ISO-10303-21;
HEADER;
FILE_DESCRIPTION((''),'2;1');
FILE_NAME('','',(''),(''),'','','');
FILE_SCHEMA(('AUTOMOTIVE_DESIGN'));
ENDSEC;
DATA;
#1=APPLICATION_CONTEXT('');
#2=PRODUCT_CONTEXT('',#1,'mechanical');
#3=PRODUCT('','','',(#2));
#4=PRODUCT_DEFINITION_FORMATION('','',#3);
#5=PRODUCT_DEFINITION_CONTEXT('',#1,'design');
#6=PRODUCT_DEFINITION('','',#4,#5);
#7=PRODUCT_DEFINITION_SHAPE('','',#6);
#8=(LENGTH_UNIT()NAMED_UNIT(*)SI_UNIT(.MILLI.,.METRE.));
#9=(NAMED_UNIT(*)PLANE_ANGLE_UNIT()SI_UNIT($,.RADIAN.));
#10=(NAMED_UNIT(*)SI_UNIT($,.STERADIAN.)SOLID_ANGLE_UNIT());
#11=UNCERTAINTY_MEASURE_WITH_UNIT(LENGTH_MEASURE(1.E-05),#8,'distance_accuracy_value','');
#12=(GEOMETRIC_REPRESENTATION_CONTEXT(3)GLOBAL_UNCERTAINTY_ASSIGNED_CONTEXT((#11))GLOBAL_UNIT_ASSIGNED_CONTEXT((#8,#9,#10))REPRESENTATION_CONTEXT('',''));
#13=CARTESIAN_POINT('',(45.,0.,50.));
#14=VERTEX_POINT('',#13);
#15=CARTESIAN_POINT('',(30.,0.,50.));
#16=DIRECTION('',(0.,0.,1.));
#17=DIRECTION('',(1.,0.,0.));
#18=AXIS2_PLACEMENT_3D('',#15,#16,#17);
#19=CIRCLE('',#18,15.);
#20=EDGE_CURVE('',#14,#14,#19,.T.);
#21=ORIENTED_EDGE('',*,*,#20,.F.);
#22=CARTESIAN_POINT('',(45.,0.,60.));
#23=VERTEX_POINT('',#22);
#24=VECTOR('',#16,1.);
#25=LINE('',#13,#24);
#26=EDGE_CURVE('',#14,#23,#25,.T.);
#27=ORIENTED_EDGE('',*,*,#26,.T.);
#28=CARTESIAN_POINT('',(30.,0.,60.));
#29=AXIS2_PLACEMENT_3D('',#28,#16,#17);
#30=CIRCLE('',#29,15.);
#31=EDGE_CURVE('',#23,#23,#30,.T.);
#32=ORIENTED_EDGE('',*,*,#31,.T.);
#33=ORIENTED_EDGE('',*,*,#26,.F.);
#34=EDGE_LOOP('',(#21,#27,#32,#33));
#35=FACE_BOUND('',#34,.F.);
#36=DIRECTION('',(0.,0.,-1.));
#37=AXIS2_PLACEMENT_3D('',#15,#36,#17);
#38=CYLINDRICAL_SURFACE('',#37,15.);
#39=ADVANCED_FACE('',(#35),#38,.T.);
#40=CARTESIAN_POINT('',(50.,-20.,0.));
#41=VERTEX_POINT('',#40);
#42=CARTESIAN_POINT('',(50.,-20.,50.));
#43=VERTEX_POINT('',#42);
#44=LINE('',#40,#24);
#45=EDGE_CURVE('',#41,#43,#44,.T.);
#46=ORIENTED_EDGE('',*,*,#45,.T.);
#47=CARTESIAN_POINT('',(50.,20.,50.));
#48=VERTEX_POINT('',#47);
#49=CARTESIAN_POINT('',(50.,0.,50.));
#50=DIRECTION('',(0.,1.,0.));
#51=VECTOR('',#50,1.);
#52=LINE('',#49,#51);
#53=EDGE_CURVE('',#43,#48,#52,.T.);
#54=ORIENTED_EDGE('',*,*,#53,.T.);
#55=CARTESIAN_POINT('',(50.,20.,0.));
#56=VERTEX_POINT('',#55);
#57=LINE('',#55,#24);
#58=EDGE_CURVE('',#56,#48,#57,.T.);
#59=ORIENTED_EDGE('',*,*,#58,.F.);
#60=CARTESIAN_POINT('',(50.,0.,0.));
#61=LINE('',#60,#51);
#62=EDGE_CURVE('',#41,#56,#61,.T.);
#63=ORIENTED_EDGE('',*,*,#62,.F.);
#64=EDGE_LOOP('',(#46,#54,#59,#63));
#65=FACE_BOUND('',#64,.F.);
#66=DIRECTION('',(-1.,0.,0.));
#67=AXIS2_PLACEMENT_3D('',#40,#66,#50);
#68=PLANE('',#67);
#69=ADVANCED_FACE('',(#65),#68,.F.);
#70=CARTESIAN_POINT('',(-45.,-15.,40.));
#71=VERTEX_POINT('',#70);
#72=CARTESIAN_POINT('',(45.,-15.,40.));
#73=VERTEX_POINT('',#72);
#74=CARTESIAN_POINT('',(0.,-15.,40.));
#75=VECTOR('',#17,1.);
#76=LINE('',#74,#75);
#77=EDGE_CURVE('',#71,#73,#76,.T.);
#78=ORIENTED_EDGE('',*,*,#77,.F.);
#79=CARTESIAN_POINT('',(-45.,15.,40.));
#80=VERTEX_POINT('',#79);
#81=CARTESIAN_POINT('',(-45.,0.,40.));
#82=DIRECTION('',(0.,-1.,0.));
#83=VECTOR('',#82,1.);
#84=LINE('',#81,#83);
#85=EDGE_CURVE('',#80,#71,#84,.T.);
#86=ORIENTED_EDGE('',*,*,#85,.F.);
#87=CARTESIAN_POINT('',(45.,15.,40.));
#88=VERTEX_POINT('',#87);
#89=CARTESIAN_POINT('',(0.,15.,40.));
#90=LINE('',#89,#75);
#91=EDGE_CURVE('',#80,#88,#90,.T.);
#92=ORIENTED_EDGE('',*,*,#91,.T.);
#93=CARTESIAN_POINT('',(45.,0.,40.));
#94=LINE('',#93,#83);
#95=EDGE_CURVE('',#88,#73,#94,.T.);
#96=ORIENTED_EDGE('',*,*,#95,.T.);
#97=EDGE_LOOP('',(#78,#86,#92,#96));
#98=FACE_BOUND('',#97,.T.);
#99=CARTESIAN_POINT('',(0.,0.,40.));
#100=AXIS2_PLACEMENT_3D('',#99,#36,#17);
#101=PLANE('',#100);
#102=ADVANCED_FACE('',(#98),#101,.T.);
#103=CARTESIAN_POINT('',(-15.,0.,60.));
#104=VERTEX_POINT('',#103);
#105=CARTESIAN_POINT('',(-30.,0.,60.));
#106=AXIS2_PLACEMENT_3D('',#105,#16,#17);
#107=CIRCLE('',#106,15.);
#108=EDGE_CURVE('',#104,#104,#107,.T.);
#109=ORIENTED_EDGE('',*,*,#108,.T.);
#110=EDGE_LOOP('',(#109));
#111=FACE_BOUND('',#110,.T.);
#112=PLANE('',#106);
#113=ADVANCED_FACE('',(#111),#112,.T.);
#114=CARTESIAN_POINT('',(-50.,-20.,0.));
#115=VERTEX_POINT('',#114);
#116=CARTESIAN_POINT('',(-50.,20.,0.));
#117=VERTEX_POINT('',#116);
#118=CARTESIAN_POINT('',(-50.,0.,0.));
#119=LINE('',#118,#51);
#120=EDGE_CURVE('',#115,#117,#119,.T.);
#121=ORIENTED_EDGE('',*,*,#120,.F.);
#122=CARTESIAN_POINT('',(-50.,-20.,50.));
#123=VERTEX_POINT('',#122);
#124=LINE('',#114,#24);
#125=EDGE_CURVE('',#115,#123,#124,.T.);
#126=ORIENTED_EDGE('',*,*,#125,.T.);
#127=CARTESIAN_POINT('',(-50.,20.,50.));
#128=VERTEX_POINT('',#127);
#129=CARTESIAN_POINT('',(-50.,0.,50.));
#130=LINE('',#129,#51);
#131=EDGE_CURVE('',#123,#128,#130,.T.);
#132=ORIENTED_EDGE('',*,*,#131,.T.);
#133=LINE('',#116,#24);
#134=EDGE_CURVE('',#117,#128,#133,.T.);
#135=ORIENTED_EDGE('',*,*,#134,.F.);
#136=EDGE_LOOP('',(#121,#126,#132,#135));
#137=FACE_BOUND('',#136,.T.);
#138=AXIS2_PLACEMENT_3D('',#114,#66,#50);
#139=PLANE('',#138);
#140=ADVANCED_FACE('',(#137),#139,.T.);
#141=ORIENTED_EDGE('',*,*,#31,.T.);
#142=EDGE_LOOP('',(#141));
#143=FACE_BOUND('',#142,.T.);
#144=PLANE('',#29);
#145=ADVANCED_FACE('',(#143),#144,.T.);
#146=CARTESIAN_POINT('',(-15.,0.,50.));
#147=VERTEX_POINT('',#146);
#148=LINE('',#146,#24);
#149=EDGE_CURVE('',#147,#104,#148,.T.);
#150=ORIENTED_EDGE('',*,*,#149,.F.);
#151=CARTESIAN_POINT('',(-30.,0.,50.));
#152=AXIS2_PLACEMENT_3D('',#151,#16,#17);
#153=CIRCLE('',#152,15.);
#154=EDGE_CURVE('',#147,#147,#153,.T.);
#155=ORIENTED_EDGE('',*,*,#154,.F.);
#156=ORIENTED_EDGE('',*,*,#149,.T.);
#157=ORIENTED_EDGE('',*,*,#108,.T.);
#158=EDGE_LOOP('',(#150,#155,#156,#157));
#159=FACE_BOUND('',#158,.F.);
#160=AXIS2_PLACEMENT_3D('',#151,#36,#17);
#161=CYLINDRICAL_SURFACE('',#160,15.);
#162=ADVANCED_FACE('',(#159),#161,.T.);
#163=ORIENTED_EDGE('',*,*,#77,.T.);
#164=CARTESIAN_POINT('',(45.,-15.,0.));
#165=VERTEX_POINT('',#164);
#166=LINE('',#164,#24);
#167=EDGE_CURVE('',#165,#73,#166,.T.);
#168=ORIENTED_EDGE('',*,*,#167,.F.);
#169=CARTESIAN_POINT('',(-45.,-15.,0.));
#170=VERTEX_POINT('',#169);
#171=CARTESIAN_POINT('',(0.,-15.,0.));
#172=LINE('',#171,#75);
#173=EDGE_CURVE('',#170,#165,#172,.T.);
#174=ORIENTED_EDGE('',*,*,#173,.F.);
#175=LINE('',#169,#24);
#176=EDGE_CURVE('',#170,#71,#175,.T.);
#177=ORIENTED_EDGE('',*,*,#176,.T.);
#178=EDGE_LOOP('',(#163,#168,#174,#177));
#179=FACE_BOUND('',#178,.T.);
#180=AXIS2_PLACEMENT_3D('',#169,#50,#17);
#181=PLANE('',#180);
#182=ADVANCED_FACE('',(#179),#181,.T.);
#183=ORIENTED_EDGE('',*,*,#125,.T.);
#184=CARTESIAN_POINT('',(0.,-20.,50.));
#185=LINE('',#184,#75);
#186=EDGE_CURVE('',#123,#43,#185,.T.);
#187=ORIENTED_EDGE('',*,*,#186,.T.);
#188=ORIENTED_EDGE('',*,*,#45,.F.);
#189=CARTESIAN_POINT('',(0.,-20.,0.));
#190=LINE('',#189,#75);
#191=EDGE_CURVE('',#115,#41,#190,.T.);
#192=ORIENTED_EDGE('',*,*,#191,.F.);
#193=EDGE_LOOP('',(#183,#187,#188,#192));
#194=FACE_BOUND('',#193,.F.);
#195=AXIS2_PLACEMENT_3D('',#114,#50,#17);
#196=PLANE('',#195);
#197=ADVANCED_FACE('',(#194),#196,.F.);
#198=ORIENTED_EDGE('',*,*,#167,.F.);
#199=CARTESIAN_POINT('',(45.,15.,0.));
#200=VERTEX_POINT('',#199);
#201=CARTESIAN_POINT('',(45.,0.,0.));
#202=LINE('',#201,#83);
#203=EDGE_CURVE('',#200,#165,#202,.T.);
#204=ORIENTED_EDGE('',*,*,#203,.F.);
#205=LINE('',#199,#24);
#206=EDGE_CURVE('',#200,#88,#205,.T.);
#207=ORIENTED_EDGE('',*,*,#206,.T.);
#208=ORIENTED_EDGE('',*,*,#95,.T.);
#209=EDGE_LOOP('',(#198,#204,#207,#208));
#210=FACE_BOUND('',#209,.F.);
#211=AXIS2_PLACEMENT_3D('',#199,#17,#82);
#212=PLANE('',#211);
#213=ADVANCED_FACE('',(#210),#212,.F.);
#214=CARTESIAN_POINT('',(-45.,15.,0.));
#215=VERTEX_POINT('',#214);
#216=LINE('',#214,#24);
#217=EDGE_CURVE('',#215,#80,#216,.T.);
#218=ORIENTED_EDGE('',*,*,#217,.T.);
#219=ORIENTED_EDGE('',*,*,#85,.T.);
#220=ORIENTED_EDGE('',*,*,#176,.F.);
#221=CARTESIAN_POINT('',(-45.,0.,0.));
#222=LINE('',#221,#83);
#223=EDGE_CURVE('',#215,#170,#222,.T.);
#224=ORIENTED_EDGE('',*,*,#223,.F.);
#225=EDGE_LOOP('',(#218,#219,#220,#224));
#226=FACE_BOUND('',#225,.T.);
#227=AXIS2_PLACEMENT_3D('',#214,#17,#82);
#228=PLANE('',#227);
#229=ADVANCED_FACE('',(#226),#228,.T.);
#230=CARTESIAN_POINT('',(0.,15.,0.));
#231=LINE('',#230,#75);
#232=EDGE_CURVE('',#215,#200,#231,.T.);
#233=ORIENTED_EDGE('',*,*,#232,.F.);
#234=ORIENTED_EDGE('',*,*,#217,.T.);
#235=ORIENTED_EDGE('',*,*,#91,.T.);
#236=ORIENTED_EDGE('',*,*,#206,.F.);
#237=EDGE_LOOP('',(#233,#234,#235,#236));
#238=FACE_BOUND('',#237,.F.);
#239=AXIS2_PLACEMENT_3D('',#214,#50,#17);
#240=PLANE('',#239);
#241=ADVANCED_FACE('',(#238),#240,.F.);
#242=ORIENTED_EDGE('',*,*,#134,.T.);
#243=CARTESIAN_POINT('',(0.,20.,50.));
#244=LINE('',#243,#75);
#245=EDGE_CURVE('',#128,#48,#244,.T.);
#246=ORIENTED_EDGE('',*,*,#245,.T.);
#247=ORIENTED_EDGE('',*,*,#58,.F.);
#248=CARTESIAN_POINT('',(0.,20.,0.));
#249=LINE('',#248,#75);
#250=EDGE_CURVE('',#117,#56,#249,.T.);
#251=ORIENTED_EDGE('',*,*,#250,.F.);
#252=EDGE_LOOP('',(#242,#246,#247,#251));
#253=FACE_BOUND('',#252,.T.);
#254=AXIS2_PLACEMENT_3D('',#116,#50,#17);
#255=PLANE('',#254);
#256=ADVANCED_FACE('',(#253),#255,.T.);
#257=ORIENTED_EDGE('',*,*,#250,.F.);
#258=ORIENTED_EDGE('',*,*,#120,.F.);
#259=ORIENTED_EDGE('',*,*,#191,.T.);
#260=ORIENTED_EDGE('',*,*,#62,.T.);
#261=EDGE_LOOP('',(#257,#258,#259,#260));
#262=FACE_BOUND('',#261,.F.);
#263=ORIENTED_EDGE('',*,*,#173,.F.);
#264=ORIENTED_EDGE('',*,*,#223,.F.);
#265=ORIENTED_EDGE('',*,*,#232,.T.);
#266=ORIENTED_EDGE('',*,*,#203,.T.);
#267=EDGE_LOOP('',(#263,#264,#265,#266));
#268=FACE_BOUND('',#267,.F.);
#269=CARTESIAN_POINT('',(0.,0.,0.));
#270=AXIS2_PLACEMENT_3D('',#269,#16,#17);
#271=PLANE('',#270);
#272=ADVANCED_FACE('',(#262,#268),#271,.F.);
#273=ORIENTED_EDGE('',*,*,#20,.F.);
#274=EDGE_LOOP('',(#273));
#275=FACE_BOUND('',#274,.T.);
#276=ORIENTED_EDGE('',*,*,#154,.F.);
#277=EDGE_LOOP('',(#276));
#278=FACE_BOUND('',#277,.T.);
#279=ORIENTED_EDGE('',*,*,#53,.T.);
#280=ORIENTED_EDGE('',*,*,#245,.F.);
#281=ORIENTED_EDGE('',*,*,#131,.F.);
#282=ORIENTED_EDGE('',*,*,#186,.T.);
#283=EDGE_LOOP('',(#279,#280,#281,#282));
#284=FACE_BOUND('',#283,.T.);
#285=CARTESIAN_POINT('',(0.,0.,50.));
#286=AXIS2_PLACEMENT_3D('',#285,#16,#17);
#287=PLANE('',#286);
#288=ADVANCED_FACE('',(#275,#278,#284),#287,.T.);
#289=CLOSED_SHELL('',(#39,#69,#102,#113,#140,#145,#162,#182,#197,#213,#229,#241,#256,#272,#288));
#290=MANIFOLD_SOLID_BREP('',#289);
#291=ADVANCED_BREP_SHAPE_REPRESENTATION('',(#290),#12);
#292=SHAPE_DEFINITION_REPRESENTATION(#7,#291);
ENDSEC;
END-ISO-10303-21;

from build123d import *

# Parameters (mm, degrees)
F0_W     = 100
F0_H     = 40
F1_DEPTH = 50
F2_R     = 15
F3_DEPTH = 10
F4_W     = 90
F4_H     = 30
F5_DEPTH = 40


with BuildPart() as f1:
    # F0 (on Top) → F1 (new body)
    with BuildSketch(Plane.XY):
        Rectangle(F0_W, F0_H)
    extrude(amount=F1_DEPTH)

    # F2 (on face) → F3 (join)
    with BuildSketch(Plane.XY.offset(50)):
        with Locations((-30, 0)):
            Circle(F2_R)
        with Locations((30, 0)):
            Circle(F2_R)
    extrude(amount=F3_DEPTH)

    # F4 (on face) → F5 (cut)
    with BuildSketch(Plane(origin=(0, 0, 0), x_dir=(1, 0, 0), z_dir=(0, 0, -1))):
        Rectangle(F4_W, F4_H)
    extrude(amount=-F5_DEPTH, mode=Mode.SUBTRACT)


solid = f1.part
